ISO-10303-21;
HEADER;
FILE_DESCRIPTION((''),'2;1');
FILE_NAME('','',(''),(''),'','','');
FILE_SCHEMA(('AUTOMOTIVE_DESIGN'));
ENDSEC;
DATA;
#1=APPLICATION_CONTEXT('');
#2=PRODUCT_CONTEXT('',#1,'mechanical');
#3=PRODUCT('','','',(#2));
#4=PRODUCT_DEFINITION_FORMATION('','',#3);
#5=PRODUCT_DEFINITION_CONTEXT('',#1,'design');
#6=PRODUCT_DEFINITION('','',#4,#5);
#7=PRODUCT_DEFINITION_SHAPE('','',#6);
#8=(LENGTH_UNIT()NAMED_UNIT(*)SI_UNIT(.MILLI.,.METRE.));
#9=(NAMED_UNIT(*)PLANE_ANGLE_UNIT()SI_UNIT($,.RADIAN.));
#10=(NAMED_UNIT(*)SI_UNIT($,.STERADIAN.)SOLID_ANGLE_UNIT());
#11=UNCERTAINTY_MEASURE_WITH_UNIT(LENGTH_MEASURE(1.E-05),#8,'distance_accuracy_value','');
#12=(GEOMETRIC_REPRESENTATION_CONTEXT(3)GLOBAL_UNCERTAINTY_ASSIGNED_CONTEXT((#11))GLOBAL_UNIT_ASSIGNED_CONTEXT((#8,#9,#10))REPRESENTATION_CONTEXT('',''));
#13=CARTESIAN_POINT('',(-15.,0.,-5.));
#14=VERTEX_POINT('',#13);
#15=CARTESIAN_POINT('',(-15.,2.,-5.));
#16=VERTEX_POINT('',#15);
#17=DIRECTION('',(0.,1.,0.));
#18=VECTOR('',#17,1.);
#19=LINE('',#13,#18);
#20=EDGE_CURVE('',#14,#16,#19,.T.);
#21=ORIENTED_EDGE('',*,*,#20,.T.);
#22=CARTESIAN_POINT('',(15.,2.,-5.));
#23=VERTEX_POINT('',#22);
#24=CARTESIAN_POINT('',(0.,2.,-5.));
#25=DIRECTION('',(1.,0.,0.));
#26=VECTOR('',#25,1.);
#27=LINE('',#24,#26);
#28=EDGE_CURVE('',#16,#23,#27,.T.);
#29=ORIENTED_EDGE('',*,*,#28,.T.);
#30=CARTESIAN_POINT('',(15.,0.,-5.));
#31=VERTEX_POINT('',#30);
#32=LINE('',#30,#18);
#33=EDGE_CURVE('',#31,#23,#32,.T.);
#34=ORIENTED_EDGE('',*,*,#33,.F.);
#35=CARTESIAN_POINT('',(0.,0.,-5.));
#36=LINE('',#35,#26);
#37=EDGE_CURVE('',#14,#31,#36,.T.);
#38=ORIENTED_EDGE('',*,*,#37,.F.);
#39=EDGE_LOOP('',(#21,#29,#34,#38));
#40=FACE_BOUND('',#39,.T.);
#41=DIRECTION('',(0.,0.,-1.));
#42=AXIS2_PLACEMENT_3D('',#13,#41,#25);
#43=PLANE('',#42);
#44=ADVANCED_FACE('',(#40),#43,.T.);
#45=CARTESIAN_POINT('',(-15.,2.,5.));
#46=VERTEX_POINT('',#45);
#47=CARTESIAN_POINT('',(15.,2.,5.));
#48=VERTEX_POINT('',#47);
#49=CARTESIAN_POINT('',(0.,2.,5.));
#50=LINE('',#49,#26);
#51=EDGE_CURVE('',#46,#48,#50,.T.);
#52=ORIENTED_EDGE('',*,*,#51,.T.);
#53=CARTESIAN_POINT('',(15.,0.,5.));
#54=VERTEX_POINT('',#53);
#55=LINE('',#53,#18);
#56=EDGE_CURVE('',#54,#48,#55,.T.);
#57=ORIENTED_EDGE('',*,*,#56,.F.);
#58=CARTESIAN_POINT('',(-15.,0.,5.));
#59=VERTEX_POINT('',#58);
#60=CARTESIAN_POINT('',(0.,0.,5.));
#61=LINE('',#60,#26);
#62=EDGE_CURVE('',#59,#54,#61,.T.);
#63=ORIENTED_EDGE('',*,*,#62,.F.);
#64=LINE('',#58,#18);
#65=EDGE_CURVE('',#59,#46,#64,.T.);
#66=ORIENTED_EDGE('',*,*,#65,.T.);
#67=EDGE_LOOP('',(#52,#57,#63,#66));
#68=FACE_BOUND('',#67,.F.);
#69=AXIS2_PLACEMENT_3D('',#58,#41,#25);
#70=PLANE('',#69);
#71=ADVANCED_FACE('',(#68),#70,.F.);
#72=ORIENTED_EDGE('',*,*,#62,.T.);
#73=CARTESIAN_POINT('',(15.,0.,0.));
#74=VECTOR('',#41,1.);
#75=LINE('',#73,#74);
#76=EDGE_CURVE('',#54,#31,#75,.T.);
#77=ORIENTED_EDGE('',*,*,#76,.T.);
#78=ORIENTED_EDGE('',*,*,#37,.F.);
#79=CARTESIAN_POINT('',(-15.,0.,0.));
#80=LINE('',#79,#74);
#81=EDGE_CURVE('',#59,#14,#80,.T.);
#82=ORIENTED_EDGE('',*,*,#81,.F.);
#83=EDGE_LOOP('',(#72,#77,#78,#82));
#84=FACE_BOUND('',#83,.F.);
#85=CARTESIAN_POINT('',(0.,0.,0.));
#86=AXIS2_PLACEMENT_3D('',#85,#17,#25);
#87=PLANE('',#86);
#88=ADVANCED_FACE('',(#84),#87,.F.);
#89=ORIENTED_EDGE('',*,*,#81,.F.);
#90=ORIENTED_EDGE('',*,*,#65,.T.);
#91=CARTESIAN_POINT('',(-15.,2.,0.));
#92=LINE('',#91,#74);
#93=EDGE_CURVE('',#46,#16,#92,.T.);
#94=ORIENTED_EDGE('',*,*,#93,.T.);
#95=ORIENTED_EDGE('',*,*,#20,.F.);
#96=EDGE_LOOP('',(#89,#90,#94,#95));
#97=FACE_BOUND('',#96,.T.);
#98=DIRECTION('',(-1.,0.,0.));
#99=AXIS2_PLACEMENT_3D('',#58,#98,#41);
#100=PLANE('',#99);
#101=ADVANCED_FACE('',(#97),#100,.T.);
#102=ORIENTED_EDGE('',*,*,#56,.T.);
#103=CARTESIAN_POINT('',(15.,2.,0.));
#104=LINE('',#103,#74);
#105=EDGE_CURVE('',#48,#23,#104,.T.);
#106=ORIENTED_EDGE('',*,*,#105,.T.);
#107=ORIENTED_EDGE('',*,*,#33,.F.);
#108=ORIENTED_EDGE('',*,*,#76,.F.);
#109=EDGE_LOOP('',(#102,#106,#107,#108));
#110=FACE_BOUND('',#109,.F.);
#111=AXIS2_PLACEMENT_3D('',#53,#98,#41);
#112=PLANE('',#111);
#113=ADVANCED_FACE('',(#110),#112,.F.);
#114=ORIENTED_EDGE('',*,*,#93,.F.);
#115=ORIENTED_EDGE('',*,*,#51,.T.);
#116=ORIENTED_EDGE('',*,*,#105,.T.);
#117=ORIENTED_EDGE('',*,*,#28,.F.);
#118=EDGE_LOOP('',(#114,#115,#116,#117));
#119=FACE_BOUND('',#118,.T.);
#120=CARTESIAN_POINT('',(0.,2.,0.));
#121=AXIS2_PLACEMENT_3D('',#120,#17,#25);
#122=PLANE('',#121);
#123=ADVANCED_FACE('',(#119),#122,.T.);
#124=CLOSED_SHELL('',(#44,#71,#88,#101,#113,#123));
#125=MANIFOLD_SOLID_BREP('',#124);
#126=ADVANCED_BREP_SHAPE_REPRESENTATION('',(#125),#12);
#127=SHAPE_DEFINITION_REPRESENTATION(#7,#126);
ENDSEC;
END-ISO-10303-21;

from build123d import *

# Parameters (mm, degrees)
SKETCH_1_W      = 30
SKETCH_1_H      = 10
EXTRUDE_1_DEPTH = 2


with BuildPart() as part:
    # Эскиз1 → Бобышка-Вытянуть1 (new body)
    with BuildSketch(Plane(origin=(0, 0, 0), x_dir=(1, 0, 0), z_dir=(0, 1, 0))):
        Rectangle(SKETCH_1_W, SKETCH_1_H)
    extrude(amount=EXTRUDE_1_DEPTH)


solid = part.part
